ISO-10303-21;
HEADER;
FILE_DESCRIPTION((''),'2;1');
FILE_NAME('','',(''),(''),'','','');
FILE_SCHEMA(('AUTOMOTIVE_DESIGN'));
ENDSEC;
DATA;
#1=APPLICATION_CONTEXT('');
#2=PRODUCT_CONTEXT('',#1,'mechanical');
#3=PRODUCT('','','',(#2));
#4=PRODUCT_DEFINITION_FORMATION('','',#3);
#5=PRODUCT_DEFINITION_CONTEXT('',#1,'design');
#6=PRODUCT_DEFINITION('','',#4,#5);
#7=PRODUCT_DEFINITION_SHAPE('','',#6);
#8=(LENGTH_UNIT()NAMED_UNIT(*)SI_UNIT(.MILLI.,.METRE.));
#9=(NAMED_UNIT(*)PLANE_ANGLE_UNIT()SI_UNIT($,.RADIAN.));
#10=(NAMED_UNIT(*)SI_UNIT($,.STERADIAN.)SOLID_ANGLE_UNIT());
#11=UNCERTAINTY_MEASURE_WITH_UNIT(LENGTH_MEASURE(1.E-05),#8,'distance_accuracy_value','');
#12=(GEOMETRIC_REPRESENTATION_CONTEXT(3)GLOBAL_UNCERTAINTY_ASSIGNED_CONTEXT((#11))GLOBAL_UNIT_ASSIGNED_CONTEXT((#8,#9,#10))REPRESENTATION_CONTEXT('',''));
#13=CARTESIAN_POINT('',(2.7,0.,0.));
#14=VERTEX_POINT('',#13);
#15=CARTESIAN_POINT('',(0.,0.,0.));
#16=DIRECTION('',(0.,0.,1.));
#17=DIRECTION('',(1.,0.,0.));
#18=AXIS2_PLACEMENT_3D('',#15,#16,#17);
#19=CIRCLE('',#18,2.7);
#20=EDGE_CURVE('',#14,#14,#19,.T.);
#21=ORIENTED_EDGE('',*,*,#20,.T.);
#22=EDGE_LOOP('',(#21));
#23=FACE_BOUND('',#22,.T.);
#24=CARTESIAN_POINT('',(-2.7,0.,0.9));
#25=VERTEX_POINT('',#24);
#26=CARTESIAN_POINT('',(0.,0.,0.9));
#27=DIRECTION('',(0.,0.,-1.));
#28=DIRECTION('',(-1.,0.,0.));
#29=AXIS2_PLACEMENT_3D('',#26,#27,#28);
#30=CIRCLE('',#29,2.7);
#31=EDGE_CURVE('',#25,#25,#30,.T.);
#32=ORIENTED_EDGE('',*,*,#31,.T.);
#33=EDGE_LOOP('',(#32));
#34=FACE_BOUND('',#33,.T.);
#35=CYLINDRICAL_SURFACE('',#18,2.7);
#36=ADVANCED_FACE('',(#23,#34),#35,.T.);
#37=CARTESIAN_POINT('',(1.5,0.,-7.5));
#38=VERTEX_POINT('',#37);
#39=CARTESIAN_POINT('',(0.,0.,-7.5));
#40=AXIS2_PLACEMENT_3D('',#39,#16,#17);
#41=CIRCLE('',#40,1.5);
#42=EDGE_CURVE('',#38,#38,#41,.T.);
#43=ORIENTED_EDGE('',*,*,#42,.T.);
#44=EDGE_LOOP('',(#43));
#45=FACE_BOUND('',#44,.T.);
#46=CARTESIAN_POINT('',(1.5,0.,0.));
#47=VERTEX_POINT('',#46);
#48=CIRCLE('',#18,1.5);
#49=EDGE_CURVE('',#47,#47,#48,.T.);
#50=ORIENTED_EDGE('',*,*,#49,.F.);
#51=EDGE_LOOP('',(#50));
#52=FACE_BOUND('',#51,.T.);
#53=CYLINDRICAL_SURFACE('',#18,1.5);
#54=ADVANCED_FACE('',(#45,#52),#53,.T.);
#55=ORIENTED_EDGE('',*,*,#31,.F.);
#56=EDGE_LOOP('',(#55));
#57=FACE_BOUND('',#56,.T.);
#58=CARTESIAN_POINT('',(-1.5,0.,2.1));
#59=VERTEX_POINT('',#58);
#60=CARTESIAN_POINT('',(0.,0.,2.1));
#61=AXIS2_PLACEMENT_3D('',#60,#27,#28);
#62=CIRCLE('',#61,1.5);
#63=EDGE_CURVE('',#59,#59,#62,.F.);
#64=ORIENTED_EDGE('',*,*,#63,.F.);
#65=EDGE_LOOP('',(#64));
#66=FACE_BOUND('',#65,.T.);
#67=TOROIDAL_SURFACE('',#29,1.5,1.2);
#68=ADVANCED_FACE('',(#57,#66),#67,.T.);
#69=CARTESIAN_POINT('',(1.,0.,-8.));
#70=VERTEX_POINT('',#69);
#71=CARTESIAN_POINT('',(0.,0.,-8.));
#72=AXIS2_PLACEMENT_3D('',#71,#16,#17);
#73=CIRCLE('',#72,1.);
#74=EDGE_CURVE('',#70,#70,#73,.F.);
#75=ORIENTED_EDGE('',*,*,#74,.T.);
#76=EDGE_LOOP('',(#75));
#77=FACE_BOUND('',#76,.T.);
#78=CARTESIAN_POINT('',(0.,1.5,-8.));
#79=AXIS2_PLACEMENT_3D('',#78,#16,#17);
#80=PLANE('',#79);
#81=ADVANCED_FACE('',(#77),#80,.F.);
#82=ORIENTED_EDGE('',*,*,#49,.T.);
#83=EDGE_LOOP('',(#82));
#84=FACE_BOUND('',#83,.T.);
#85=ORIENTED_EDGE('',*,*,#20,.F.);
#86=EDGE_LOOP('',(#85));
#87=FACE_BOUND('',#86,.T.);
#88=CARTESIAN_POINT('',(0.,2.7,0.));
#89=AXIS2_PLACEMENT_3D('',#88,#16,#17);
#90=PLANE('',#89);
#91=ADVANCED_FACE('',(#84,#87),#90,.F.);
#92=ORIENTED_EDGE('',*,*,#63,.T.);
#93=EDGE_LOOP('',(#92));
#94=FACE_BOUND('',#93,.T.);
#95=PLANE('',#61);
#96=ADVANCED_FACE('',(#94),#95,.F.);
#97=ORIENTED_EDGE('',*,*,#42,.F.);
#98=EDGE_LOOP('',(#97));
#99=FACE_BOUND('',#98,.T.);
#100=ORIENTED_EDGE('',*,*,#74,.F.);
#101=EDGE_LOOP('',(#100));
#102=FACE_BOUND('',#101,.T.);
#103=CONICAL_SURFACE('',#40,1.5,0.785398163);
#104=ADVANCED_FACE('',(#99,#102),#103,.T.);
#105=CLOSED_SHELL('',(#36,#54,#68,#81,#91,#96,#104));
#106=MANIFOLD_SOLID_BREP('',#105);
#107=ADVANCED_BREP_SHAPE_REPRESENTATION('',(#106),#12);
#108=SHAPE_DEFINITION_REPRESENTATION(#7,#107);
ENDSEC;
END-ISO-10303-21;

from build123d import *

# Parameters (mm, degrees)
VERRUNDUNG1_R = 1.2
FASE1_SIZE    = 0.5


with BuildPart() as part:
    # Skizze1 → Rotation1 (revolve)
    with BuildSketch(Plane(origin=(0, 0, 0), x_dir=(0, 0, -1), z_dir=(1, 0, 0))):
        Polygon((0, 2.7), (0, 1.5), (8, 1.5), (8, 0), (-2.1, 0), (-2.1, 2.7), align=None)
    revolve(axis=Axis((0, 0, 0), (0, 0, -1)))

    # Verrundung1
    verrundung1_edges = [part.edges().sort_by_distance(p)[0] for p in [
        (0, -2.7, 2.1),
    ]]
    fillet(verrundung1_edges, radius=VERRUNDUNG1_R)

    # Fase1
    fase1_edges = [part.edges().sort_by_distance(p)[0] for p in [
        (0, -1.5, -8),
    ]]
    chamfer(fase1_edges, length=FASE1_SIZE)


solid = part.part
